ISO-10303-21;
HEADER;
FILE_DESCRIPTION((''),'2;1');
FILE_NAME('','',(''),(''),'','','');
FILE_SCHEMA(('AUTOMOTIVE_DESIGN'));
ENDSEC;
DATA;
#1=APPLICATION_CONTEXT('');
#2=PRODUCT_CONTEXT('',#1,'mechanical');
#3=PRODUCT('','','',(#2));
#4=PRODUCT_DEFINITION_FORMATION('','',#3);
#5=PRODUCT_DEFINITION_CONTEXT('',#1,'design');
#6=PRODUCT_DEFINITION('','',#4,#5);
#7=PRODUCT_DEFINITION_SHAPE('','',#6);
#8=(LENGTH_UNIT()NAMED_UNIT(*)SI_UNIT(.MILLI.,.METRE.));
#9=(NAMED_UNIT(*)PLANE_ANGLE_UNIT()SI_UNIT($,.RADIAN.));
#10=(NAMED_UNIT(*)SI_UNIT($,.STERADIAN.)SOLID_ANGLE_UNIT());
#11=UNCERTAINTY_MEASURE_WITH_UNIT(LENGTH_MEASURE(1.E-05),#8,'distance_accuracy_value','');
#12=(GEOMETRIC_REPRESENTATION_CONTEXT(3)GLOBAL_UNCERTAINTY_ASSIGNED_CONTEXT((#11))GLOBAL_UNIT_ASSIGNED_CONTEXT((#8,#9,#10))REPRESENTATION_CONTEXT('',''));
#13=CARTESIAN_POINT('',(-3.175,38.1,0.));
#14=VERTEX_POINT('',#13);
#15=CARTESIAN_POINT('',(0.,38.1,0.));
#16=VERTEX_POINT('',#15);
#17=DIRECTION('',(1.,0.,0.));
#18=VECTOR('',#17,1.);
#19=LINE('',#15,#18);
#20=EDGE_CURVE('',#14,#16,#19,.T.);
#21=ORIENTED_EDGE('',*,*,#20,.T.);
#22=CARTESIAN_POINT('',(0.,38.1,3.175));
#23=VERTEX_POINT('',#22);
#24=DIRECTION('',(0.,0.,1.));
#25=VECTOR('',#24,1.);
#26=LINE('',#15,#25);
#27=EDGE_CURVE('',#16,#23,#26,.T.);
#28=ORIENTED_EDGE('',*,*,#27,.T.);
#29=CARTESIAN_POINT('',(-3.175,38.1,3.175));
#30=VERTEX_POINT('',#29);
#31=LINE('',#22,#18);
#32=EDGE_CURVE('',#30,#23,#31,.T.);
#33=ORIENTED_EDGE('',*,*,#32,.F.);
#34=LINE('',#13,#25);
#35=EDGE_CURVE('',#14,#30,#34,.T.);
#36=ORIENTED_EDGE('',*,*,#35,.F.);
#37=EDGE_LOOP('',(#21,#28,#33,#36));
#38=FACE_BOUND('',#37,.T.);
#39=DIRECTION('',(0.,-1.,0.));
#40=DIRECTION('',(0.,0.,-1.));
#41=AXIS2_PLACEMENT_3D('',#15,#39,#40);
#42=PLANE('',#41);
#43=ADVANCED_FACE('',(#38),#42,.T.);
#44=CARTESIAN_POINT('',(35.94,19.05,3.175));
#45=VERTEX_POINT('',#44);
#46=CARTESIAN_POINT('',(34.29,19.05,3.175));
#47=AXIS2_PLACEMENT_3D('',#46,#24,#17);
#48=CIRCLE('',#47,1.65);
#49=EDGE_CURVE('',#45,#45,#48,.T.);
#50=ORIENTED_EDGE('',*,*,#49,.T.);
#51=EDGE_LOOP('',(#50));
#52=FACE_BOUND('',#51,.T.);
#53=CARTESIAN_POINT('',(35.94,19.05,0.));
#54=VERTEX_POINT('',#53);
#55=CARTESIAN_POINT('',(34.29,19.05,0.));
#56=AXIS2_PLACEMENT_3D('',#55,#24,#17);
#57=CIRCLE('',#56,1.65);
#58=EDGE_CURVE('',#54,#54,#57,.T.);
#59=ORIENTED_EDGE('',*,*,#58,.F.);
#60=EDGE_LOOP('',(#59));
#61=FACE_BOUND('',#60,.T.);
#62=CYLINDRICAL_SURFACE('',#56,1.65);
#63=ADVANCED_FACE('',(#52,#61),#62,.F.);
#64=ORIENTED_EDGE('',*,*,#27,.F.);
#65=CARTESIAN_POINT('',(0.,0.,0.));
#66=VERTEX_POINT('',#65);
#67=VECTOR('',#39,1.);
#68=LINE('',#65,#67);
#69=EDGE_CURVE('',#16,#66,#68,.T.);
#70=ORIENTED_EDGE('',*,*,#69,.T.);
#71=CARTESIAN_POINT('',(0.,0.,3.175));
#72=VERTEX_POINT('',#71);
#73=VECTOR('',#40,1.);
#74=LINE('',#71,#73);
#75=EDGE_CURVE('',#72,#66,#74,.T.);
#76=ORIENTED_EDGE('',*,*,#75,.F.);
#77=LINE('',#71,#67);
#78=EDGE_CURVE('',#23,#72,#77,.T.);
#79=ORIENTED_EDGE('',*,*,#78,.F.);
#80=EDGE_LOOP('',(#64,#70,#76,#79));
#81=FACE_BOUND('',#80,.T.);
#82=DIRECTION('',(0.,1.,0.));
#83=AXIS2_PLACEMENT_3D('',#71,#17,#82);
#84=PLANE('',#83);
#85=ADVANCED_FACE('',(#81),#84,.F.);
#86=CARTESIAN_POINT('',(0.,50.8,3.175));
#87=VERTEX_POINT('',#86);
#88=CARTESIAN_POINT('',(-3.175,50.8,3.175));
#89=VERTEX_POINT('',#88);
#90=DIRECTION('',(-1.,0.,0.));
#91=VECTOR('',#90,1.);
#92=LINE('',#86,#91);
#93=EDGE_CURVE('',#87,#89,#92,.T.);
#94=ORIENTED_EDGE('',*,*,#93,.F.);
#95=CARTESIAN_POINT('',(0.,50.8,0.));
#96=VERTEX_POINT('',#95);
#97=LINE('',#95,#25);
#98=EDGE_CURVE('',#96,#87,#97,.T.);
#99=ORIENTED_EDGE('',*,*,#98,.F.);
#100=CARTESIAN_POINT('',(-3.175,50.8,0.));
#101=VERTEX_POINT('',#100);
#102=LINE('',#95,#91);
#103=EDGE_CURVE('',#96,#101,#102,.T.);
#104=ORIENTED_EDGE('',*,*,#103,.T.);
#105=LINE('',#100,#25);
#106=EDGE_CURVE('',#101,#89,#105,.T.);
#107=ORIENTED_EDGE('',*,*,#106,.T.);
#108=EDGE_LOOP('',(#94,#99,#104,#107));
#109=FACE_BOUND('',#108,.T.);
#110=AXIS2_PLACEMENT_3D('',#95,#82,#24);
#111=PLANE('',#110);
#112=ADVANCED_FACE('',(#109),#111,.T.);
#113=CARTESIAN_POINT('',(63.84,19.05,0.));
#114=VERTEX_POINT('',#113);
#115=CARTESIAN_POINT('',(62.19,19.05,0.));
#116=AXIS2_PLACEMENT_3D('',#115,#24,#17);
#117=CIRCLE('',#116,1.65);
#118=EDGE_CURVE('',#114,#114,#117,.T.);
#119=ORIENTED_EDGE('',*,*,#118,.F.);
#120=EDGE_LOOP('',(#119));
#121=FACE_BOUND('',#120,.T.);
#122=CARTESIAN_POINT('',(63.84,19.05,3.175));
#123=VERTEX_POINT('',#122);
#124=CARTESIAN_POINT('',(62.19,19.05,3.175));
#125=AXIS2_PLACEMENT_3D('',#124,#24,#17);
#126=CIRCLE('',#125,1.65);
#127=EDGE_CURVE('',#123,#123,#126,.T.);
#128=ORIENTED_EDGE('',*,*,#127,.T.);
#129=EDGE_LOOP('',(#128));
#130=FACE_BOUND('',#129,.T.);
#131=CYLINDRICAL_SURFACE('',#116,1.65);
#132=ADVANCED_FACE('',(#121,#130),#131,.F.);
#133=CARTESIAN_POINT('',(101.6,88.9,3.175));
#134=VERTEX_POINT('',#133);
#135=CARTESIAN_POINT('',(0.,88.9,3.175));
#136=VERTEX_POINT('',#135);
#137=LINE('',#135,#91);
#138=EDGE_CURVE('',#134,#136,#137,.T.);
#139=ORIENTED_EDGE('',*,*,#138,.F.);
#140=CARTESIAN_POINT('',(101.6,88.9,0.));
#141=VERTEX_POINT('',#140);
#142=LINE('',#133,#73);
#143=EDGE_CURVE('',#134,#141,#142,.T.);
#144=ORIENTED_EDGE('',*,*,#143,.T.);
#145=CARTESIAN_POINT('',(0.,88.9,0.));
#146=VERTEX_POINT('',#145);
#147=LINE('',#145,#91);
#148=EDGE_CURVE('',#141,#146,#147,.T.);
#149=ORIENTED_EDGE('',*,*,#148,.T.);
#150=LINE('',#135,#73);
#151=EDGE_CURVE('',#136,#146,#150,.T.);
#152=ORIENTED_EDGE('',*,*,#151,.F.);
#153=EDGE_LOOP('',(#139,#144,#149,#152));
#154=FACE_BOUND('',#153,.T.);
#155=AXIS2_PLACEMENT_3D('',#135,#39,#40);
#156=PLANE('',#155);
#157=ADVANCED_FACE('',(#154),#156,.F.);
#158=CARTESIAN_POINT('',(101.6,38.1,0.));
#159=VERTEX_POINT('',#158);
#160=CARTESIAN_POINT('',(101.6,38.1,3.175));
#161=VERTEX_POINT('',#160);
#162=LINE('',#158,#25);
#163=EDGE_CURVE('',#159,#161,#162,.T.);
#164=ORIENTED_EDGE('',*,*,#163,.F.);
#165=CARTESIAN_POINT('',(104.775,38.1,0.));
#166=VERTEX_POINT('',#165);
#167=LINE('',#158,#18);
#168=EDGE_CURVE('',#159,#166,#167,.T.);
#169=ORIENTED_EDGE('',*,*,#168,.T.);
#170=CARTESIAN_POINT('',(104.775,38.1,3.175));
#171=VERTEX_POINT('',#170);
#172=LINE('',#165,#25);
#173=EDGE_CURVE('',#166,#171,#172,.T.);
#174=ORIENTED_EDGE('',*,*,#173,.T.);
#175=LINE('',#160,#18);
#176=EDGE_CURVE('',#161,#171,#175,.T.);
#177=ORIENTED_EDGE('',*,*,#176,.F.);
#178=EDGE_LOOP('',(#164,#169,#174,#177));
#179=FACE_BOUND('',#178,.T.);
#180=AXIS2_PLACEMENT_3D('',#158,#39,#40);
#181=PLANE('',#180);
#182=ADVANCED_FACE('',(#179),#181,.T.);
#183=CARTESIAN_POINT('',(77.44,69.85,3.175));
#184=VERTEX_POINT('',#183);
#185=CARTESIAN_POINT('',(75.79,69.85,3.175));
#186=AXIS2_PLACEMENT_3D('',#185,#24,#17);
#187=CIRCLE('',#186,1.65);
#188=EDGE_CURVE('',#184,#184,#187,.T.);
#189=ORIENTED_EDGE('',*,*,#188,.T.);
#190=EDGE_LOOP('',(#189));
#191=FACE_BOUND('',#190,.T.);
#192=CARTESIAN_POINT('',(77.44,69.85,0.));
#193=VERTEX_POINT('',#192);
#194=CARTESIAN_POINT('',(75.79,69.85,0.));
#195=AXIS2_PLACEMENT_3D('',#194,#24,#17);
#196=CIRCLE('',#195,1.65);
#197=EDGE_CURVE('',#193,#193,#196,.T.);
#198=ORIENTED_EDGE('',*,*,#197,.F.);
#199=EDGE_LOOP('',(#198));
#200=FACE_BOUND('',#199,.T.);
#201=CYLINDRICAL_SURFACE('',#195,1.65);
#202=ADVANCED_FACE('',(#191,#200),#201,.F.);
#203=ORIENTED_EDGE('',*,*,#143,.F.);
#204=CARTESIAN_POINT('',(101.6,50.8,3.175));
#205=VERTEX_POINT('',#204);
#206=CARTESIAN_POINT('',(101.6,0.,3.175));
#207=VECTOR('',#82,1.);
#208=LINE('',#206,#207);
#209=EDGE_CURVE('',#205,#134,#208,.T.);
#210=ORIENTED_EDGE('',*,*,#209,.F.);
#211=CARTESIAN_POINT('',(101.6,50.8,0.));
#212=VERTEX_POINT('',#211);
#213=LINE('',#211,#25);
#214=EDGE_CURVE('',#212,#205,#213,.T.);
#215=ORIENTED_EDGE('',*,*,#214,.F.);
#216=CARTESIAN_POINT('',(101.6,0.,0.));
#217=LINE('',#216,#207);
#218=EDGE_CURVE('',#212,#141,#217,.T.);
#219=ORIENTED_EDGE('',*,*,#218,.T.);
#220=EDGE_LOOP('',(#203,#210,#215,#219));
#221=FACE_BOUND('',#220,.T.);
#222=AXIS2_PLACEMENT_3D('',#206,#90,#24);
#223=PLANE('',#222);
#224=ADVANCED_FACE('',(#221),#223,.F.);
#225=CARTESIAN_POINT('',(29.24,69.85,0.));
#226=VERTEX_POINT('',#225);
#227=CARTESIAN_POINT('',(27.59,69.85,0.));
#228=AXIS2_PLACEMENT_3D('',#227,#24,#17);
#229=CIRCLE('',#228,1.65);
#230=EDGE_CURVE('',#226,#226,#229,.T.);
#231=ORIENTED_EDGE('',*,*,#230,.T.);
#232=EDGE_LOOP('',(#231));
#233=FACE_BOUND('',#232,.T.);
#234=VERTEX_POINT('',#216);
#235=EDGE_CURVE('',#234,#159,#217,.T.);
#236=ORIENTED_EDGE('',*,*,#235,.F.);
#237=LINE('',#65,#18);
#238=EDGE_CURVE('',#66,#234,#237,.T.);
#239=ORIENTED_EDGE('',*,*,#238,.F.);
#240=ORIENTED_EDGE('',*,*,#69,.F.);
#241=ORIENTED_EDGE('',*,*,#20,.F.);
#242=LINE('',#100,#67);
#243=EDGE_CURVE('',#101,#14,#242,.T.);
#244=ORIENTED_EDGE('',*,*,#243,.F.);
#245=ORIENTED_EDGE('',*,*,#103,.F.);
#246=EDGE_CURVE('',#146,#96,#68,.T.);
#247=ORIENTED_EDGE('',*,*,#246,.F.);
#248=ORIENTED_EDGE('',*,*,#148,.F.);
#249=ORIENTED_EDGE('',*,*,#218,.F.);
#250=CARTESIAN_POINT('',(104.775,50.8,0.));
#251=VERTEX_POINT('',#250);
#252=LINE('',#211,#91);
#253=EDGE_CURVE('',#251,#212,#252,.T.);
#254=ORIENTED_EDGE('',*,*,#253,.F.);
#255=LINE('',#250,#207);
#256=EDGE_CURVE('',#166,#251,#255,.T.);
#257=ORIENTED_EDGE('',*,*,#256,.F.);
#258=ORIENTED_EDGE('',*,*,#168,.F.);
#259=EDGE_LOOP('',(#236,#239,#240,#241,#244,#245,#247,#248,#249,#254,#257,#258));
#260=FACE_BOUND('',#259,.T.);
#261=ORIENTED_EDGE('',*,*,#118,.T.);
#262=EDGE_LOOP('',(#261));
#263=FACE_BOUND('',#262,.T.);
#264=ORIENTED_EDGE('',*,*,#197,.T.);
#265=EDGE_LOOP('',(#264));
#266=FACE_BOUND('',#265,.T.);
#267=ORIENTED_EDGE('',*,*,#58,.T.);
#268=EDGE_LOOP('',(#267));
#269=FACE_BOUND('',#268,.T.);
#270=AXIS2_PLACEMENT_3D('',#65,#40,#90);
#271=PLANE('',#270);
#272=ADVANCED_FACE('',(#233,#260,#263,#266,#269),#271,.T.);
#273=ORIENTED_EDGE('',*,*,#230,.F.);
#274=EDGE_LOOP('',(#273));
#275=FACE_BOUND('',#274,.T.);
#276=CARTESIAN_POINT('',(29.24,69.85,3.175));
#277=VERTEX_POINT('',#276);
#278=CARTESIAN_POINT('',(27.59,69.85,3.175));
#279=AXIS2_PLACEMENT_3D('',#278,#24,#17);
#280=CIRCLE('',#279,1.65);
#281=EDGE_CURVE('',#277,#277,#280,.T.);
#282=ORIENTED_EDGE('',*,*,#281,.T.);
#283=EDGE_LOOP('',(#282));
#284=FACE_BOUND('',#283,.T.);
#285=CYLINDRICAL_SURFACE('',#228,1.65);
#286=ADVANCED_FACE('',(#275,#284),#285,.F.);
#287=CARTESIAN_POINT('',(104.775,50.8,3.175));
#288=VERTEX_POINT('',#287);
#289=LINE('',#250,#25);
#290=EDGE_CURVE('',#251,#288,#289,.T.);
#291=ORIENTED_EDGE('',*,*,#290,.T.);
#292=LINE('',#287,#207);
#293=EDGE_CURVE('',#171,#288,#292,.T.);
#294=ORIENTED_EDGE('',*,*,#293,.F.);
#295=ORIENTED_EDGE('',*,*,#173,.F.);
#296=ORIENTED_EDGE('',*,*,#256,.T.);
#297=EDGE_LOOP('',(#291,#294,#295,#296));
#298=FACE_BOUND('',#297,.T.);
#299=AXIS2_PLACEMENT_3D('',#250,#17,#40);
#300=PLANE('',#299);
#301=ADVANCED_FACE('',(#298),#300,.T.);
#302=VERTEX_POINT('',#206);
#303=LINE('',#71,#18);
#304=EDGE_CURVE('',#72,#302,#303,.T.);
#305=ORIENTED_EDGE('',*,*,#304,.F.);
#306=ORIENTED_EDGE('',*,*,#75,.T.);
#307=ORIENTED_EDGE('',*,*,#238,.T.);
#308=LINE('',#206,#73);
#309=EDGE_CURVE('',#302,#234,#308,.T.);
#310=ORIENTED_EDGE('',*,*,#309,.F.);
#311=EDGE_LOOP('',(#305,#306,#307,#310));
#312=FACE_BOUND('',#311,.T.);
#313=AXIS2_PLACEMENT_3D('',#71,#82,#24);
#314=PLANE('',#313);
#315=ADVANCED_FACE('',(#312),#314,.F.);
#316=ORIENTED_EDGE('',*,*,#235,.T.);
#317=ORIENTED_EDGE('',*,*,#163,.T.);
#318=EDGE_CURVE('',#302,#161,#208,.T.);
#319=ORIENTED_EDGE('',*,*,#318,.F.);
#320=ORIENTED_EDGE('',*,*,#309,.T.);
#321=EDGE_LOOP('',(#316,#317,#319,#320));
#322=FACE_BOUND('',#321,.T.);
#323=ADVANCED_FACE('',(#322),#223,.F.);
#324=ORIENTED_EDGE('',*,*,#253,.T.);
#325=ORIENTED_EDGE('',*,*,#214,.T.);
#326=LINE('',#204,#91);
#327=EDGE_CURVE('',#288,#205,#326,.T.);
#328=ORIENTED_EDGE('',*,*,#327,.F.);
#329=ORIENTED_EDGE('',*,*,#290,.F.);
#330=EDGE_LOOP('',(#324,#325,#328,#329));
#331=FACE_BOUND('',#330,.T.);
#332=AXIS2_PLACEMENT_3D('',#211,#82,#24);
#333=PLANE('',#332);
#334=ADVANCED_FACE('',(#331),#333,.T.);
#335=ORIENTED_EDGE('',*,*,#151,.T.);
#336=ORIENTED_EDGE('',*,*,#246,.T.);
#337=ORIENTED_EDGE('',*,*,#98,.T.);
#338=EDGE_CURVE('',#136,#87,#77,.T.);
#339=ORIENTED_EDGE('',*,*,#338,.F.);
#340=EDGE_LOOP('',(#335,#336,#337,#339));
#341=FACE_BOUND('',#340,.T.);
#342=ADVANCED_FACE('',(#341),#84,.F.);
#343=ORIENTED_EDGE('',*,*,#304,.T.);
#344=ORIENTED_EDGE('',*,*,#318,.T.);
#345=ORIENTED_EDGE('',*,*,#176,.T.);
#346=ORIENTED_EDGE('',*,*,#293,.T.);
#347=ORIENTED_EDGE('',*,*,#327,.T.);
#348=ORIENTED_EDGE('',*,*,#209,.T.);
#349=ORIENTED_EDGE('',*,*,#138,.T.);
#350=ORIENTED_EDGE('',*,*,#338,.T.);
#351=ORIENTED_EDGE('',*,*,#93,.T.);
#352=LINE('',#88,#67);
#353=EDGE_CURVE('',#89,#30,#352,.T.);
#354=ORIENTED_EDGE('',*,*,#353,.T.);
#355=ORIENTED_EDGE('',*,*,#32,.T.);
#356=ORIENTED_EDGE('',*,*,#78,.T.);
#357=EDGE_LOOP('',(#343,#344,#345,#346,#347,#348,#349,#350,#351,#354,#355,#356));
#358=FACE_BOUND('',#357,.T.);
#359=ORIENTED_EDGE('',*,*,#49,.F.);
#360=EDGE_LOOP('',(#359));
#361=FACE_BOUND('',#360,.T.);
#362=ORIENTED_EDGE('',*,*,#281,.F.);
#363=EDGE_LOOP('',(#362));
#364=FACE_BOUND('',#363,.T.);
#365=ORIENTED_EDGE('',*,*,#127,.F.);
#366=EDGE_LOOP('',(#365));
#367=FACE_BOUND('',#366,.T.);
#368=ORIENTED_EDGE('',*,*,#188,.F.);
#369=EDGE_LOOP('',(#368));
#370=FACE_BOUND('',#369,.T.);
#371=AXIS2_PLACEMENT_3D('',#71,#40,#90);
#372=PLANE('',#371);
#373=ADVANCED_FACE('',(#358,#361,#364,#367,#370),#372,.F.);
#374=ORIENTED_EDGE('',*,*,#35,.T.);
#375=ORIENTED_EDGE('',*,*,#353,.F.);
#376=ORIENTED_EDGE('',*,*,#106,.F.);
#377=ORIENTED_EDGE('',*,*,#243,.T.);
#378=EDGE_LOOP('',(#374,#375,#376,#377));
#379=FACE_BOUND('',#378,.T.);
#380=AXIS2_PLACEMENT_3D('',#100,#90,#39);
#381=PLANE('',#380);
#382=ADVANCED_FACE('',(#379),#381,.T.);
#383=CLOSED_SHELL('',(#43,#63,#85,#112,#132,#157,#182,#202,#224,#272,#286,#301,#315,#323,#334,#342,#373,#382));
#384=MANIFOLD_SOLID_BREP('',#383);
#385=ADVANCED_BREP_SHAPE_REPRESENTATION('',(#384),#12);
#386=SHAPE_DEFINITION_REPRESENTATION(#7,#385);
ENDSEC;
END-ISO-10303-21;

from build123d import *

# Parameters (mm, degrees)
SKETCH1_W           = 101.6
SKETCH1_H           = 88.9
BOSS_EXTRUDE1_DEPTH = 3.175
SKETCH2_W           = 3.175
SKETCH2_H           = 12.7
BOSS_EXTRUDE2_DEPTH = 3.175
SKETCH3_R           = 1.65
CUT_EXTRUDE1_DEPTH  = 4.175


with BuildPart() as part:
    # Sketch1 → Boss-Extrude1 (new body)
    with BuildSketch(Plane.XY):
        with Locations((50.8, 44.45)):
            Rectangle(SKETCH1_W, SKETCH1_H)
    extrude(amount=BOSS_EXTRUDE1_DEPTH)

    # Sketch2 → Boss-Extrude2 (add)
    with BuildSketch(Plane.XY.offset(3.175)):
        with Locations((-1.5875, 44.45)):
            Rectangle(SKETCH2_W, SKETCH2_H)
        with Locations((103.1875, 44.45)):
            Rectangle(SKETCH2_W, SKETCH2_H)
    extrude(amount=-BOSS_EXTRUDE2_DEPTH)

    # Sketch3 → Cut-Extrude1 (cut, through all)
    with BuildSketch(Plane.XY.offset(3.175)):
        with Locations((27.589999938, 69.85)):
            Circle(SKETCH3_R)
        with Locations((75.790000058, 69.85)):
            Circle(SKETCH3_R)
        with Locations((62.19000008, 19.05)):
            Circle(SKETCH3_R)
        with Locations((34.29, 19.05)):
            Circle(SKETCH3_R)
    extrude(amount=-CUT_EXTRUDE1_DEPTH, mode=Mode.SUBTRACT)


solid = part.part
